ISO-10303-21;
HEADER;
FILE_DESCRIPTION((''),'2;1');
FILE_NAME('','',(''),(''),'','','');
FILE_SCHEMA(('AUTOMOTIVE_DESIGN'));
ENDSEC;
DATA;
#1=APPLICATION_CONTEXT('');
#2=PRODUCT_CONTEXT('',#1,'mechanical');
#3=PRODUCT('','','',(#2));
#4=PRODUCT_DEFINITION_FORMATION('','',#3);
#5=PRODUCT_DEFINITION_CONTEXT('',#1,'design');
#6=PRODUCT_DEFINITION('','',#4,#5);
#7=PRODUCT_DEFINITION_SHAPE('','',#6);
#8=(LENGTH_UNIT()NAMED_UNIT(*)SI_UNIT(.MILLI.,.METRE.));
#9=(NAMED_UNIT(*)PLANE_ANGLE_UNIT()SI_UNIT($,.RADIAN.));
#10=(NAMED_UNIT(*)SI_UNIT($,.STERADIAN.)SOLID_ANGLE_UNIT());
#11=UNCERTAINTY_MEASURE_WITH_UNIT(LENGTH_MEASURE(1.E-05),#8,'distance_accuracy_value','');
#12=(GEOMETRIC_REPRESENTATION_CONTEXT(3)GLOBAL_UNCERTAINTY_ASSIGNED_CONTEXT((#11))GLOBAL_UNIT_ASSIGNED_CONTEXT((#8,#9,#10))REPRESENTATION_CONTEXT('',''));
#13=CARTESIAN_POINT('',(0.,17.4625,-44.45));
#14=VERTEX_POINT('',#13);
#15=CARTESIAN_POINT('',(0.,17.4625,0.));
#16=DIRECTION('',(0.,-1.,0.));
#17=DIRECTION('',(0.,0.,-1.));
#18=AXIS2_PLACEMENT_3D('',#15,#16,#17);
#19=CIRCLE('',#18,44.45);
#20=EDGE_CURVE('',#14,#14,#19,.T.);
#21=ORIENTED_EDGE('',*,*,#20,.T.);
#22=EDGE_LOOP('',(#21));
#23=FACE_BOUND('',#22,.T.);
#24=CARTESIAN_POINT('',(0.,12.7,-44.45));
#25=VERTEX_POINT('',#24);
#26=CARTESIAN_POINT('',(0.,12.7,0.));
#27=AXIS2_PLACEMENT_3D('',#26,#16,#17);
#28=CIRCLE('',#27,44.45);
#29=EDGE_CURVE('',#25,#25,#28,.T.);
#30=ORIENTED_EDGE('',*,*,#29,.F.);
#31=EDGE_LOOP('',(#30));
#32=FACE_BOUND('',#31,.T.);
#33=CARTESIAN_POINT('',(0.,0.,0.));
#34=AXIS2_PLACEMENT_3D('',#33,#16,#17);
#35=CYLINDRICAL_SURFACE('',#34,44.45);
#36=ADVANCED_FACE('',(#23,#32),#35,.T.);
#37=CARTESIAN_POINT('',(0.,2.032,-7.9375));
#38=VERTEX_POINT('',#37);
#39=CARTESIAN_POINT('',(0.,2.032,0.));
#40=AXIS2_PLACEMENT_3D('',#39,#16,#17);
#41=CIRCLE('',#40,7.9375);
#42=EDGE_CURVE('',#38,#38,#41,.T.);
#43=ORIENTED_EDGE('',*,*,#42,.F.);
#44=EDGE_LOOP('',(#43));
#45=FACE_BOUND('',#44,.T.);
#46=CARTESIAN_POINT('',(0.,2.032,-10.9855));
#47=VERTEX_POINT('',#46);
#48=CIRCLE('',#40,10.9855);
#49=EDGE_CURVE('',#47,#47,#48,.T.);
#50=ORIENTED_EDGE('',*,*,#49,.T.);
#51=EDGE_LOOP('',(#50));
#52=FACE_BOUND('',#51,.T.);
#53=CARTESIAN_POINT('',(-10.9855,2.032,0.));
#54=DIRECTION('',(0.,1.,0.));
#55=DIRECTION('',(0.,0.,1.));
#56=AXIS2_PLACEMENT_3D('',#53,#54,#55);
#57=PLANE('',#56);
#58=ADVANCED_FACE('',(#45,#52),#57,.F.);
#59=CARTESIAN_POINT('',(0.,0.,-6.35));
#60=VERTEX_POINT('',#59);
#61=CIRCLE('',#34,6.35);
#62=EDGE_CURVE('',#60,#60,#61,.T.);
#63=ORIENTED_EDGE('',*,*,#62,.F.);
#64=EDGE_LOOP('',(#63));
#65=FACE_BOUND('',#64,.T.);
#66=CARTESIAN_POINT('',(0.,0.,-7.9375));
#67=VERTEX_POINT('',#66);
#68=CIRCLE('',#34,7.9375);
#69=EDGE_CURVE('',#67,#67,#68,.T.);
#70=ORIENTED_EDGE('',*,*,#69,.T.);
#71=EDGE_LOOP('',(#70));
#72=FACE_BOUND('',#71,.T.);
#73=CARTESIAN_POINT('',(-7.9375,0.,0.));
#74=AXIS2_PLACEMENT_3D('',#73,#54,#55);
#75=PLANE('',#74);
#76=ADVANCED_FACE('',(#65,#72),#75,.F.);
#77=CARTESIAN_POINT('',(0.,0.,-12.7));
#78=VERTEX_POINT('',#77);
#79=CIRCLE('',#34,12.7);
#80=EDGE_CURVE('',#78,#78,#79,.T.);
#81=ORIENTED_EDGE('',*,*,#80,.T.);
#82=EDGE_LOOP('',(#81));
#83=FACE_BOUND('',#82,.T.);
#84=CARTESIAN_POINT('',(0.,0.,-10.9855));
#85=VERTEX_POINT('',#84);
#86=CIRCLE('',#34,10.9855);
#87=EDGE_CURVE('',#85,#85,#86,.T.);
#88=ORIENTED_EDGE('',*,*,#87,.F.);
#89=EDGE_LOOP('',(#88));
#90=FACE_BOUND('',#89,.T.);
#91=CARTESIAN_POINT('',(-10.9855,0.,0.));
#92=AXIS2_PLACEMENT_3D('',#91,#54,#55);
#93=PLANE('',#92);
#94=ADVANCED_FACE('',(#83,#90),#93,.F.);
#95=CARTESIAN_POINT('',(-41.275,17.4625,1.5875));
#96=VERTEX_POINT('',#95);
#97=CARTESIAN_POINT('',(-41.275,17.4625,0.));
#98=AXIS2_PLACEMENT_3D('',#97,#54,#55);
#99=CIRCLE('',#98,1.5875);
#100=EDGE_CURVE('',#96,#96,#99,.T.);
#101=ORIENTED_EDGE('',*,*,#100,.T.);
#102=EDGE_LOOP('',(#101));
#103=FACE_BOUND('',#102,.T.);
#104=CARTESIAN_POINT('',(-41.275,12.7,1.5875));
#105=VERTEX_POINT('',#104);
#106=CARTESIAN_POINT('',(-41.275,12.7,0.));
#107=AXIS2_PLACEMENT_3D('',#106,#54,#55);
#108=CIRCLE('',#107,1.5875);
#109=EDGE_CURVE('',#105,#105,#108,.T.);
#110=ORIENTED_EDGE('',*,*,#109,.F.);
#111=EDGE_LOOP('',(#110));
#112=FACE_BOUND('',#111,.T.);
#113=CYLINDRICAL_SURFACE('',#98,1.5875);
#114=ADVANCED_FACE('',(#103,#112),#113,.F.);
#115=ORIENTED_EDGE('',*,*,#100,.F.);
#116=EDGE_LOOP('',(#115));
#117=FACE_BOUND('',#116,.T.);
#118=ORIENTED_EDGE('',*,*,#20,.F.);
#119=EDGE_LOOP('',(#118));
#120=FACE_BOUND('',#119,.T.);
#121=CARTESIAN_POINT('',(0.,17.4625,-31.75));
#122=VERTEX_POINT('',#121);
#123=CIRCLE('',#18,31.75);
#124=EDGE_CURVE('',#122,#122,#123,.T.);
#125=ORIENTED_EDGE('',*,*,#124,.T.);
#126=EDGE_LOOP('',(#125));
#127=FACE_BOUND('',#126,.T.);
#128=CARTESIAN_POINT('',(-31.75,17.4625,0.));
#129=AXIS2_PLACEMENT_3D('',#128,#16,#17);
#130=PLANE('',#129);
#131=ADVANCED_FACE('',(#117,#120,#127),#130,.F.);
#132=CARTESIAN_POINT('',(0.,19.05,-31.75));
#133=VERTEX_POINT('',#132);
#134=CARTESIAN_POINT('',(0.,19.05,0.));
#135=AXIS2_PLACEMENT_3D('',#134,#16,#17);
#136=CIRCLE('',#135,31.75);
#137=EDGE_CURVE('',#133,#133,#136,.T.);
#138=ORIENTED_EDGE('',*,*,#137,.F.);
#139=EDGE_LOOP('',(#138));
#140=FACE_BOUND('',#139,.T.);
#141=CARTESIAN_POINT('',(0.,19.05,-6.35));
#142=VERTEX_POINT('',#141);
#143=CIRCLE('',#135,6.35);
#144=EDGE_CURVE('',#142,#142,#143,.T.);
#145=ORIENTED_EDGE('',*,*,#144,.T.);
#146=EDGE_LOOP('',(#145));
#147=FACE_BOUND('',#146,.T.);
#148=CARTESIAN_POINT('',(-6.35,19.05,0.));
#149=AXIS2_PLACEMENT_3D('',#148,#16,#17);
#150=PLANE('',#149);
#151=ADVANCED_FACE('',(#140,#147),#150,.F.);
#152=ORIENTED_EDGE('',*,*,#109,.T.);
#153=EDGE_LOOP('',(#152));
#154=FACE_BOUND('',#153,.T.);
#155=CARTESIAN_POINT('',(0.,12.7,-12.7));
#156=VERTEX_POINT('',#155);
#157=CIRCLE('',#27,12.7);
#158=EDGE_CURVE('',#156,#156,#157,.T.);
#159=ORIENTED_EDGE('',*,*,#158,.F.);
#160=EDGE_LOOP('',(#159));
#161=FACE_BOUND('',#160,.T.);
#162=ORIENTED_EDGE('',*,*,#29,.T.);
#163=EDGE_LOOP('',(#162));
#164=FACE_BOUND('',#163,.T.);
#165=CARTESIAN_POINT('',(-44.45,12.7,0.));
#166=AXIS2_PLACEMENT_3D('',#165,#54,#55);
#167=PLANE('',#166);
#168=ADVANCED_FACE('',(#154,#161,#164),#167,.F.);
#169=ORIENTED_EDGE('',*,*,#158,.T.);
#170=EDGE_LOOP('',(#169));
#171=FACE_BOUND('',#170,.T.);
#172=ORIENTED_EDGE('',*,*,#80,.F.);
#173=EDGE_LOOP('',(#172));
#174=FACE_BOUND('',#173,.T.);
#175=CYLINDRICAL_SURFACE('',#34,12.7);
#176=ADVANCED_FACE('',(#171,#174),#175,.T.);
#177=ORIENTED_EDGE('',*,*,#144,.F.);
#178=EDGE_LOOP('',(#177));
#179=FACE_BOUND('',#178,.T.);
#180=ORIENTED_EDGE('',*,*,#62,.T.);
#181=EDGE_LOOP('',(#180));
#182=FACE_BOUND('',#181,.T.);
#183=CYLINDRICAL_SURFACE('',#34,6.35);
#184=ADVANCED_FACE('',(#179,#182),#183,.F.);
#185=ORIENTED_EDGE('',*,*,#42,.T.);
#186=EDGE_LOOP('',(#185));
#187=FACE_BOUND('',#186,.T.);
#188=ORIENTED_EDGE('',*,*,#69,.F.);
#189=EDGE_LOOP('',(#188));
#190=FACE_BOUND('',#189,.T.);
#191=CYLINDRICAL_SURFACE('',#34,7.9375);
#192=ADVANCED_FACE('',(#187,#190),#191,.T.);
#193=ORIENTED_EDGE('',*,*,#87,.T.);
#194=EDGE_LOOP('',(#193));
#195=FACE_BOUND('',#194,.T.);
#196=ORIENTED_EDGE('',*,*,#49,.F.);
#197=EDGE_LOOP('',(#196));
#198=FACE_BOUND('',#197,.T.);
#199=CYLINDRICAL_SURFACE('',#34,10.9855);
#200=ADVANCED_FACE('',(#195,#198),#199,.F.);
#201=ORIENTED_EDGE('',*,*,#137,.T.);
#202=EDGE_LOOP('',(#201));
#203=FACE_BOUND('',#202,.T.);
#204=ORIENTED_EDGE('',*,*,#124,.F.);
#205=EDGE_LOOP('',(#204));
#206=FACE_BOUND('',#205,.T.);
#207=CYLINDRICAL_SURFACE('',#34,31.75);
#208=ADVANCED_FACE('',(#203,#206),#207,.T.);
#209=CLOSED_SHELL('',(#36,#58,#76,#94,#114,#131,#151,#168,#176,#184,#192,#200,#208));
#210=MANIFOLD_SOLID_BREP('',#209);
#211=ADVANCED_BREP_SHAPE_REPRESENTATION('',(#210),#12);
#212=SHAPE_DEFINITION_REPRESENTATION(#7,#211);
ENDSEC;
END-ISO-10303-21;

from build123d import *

# Parameters (mm, degrees)
F_1_8_0_125_DIAMETER_HOLE1_D = 3.175


with BuildPart() as part:
    # Sketch1 → Revolve1 (revolve)
    with BuildSketch(Plane.XY):
        Polygon((-6.35, 0), (-6.35, 19.05), (-31.75, 19.05), (-31.75, 17.4625), (-44.45, 17.4625), (-44.45, 12.7), (-12.7, 12.7), (-12.7, 0), (-10.9855, 0), (-10.9855, 2.032), (-7.9375, 2.032), (-7.9375, 0), align=None)
    revolve(axis=Axis((0, 0, 0), (0, 1, 0)))

    # 1/8 (0.125) Diameter Hole1 (through all)
    with Locations(Plane(origin=(0, 17.4625, 0), x_dir=(1, 0, 0), z_dir=(0, 1, 0))):
        with Locations((-41.275, 0)):
            Hole(F_1_8_0_125_DIAMETER_HOLE1_D / 2)


solid = part.part
